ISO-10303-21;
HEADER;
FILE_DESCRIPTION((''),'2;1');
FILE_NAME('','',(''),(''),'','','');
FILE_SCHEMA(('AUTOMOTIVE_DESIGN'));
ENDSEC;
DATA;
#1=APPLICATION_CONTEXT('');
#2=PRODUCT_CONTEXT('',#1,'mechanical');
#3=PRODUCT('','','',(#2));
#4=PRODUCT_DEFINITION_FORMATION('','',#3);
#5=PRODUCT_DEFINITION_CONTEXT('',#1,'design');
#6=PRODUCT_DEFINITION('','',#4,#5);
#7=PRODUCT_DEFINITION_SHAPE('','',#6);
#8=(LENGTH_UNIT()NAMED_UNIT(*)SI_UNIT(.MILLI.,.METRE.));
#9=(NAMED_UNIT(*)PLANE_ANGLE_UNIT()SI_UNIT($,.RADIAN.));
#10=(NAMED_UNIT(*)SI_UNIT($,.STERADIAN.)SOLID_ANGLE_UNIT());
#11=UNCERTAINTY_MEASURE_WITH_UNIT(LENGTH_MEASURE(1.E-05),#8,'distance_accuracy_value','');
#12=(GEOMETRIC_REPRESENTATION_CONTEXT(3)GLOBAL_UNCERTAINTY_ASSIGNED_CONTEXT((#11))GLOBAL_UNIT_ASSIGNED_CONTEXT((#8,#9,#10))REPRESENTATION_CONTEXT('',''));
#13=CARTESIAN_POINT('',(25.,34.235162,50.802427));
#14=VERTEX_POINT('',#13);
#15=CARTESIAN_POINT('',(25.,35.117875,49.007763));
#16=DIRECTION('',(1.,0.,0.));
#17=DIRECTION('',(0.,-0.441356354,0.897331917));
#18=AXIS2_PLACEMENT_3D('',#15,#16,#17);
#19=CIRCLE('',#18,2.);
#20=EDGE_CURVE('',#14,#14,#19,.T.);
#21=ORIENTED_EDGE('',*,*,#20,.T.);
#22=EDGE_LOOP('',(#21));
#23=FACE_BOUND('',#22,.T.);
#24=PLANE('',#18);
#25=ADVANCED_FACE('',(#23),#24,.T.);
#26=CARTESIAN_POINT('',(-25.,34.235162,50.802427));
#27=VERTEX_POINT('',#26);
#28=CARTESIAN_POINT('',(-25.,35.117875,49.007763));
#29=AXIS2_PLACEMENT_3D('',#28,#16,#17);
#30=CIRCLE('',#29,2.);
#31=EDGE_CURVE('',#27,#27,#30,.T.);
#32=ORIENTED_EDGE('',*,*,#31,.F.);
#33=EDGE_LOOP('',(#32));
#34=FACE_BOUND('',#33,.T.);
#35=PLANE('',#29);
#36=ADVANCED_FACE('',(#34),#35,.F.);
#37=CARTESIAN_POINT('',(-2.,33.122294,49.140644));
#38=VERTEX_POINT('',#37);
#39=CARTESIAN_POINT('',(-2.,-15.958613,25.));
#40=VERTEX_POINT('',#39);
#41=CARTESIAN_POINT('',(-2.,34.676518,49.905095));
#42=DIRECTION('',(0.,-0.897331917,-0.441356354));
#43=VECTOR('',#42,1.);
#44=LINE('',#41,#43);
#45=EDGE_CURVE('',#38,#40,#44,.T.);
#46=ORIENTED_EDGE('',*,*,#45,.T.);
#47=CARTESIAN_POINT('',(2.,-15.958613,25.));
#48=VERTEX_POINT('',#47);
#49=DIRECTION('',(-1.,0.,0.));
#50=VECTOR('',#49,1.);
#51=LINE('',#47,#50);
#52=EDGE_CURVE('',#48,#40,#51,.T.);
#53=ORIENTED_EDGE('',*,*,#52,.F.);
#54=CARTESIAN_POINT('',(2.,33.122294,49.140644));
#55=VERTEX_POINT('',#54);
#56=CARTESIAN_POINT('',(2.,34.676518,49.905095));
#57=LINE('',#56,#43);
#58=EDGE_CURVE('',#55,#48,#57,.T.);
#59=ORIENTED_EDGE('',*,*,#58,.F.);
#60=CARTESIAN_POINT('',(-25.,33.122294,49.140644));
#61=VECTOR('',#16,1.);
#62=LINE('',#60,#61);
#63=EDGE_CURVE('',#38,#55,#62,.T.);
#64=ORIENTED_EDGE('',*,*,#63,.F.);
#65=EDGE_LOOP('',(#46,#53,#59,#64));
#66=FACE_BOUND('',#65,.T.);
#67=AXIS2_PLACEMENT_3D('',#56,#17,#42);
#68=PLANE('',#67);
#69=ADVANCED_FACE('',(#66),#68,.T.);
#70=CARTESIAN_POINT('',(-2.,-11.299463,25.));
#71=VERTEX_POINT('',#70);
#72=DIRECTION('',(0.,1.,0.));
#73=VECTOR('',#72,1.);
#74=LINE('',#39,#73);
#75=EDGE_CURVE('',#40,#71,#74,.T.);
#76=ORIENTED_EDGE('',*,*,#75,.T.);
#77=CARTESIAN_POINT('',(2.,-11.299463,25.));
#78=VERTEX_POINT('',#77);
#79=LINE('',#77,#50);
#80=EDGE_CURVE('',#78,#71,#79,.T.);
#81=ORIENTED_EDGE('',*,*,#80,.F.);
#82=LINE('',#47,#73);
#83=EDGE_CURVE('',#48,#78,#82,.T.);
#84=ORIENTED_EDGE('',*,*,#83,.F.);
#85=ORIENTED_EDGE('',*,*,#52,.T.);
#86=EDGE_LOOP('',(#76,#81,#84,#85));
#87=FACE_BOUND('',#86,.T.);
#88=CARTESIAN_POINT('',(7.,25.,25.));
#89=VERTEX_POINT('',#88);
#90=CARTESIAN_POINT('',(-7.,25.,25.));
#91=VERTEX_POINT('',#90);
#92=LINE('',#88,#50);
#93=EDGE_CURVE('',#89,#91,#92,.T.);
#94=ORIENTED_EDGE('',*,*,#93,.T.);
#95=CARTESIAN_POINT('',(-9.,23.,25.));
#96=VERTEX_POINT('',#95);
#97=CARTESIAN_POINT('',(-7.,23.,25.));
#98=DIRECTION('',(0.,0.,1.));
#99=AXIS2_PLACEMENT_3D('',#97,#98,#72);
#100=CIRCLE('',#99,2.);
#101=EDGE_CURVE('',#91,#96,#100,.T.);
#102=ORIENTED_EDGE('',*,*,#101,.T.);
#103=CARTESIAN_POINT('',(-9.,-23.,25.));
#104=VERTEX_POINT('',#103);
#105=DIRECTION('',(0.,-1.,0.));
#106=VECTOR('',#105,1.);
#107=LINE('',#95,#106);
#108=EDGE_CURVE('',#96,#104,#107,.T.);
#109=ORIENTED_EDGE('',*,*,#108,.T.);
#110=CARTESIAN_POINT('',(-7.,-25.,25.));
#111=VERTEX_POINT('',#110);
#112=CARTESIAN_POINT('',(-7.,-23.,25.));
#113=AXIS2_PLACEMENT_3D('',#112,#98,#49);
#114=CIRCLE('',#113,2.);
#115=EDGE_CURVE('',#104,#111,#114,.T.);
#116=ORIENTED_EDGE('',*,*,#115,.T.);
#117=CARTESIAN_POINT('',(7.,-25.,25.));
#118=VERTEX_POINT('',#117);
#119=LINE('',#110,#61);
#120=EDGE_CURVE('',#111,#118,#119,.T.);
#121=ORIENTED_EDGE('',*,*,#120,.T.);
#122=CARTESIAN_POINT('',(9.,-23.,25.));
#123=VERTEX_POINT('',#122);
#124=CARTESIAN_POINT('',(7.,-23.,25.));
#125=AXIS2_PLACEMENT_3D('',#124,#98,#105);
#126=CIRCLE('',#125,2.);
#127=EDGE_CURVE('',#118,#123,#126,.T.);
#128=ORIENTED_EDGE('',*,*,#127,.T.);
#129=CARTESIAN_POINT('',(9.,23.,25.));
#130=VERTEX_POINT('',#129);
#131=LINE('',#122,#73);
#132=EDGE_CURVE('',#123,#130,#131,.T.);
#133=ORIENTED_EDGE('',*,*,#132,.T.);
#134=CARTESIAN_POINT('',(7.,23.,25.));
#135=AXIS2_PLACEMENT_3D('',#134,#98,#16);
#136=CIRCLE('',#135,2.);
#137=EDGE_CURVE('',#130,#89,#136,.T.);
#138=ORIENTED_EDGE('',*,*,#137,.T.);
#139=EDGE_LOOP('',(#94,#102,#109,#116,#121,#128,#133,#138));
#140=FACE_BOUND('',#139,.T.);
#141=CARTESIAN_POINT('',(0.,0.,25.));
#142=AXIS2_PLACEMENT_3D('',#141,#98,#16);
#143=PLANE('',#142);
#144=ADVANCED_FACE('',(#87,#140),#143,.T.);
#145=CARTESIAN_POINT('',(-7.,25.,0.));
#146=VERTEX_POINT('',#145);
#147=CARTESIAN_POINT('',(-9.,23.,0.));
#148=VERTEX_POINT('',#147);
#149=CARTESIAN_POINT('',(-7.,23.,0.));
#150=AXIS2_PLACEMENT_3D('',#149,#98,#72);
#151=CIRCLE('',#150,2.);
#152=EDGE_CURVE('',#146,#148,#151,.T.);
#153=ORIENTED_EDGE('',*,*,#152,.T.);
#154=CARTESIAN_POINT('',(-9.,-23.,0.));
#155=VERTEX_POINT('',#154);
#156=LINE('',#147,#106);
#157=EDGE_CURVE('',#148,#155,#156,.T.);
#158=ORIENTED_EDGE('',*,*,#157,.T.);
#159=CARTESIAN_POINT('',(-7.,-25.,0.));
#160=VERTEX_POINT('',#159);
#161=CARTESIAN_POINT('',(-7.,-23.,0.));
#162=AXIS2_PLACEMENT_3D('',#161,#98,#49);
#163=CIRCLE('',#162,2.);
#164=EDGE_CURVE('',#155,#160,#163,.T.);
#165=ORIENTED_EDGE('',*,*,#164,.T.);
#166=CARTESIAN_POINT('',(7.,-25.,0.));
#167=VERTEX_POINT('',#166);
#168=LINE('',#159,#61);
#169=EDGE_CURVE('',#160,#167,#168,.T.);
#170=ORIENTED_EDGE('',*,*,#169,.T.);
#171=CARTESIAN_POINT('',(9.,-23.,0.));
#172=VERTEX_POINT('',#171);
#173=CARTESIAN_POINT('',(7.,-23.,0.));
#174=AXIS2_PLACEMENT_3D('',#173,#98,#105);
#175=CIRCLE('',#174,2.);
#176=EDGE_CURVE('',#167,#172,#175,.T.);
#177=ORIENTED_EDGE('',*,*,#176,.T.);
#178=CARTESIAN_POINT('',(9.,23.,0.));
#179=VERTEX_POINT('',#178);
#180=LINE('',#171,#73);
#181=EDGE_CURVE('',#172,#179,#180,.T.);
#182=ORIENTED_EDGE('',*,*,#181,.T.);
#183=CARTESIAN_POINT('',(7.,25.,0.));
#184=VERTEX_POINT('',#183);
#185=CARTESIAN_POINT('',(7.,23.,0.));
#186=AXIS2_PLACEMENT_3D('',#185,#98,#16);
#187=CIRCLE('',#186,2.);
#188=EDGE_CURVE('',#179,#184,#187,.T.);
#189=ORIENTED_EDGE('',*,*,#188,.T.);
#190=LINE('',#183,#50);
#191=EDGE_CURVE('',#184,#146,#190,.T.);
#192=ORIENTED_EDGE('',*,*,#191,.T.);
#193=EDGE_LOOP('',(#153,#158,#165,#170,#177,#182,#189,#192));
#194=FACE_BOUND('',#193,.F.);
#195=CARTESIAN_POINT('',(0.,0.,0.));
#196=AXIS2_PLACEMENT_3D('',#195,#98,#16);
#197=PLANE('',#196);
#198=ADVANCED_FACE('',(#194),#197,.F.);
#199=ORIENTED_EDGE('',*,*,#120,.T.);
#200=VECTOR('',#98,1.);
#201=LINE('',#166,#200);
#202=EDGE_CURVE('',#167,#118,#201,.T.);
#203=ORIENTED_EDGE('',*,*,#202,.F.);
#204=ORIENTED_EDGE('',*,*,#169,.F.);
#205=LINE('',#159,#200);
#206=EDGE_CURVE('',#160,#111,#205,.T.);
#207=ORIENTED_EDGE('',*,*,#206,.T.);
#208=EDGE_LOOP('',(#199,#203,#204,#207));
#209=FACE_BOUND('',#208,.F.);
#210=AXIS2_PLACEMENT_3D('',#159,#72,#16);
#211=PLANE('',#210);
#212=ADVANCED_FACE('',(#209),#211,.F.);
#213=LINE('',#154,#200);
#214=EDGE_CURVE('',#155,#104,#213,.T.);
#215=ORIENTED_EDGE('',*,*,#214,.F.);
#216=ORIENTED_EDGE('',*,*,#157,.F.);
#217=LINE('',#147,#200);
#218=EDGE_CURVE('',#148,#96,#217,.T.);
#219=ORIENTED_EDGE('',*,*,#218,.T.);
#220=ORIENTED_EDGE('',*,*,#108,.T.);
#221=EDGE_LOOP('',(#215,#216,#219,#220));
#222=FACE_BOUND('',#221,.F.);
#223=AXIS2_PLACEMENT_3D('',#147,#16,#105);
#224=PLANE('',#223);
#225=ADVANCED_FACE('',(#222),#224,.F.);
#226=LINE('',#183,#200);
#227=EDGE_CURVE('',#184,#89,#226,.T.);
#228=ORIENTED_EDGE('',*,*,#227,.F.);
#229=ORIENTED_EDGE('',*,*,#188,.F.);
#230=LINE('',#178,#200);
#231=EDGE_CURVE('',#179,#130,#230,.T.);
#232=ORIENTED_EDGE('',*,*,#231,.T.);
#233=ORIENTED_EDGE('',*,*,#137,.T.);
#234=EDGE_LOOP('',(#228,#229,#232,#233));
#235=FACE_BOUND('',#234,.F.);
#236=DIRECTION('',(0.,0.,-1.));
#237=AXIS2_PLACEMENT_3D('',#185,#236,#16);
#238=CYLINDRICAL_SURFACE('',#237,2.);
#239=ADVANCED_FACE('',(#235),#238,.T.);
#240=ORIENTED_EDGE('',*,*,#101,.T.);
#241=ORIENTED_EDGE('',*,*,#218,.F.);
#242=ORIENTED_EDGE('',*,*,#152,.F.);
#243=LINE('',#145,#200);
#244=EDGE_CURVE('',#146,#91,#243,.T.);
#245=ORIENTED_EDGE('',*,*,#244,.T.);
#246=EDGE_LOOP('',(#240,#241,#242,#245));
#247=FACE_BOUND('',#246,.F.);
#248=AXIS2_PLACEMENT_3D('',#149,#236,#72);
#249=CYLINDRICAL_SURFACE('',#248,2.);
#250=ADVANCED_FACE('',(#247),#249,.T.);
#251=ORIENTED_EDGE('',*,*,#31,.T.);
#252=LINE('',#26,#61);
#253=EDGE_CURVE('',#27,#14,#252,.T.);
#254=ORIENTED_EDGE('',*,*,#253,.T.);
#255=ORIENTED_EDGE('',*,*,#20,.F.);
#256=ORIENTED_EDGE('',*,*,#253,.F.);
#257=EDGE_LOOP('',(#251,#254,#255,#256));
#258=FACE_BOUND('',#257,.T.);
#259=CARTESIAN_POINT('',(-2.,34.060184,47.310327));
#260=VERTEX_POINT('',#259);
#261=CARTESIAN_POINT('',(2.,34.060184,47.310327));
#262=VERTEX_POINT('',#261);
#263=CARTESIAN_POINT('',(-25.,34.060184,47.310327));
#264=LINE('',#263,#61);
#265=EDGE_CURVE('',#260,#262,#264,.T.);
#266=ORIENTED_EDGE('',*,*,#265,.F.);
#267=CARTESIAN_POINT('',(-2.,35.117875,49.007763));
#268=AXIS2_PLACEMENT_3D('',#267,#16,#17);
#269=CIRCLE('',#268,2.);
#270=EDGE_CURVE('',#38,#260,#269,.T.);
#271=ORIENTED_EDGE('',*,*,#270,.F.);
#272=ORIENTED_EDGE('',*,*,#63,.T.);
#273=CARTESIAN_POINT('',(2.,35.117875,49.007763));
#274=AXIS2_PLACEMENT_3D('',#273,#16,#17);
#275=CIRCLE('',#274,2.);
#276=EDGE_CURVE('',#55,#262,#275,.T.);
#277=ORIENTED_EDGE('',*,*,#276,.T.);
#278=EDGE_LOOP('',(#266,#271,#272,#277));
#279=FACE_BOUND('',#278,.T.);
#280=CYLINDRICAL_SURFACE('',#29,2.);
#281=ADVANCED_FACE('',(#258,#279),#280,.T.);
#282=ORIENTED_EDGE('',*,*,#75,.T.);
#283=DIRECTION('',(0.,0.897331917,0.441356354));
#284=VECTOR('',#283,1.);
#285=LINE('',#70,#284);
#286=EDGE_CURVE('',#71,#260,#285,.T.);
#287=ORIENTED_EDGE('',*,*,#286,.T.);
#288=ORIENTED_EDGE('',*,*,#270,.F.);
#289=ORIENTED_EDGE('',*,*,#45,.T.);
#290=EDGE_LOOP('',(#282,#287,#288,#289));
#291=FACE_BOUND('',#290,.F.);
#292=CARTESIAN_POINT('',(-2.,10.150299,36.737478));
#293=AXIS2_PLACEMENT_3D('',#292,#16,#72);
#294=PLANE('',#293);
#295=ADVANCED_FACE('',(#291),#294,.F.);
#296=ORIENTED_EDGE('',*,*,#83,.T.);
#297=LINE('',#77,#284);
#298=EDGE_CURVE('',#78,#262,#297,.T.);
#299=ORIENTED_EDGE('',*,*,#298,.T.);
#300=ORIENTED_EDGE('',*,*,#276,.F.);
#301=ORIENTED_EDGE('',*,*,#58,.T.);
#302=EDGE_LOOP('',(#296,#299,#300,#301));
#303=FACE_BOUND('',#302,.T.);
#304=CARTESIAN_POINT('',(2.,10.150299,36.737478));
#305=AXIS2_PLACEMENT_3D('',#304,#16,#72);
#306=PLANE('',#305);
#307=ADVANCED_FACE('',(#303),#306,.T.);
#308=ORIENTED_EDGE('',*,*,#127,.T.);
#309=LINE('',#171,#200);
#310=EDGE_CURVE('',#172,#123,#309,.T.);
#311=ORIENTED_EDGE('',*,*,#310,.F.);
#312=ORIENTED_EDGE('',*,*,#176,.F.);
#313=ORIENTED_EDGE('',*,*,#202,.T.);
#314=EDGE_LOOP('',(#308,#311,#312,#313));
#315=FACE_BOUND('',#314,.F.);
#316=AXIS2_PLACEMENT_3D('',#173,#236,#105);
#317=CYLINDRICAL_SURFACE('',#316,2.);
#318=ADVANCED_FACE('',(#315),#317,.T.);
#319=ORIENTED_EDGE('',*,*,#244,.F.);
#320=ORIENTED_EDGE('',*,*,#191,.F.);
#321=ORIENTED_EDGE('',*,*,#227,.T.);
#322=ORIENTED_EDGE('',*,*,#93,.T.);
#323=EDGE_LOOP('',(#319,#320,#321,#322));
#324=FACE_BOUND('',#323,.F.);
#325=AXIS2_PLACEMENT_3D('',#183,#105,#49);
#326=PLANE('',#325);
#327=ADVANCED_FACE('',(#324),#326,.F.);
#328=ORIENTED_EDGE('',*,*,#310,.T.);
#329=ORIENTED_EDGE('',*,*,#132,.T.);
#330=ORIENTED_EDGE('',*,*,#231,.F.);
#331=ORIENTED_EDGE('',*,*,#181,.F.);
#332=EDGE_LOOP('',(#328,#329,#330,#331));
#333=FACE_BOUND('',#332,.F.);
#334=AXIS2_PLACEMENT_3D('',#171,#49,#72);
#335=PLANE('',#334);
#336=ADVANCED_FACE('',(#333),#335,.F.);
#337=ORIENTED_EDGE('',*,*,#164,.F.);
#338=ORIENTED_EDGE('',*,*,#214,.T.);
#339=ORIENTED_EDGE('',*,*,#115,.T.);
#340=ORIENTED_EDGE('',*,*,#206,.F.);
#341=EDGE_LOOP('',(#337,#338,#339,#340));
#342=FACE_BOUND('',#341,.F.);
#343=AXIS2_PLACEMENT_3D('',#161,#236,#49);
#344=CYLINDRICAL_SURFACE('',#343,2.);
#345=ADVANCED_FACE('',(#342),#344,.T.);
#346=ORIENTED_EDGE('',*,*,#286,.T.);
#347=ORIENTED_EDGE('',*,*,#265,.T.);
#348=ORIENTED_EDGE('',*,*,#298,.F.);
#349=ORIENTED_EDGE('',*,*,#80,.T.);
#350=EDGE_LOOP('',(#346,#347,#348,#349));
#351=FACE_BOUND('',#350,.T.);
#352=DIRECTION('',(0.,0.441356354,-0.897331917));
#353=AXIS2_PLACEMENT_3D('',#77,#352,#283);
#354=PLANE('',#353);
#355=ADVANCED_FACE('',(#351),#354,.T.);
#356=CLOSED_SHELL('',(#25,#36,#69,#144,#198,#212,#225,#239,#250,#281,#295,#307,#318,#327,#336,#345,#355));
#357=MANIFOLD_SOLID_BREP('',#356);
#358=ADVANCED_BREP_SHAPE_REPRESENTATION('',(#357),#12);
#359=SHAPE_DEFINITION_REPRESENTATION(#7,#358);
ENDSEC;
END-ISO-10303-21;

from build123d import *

# Parameters (mm, degrees)
F1_DEPTH = 25
F3_START = -7
F3_DEPTH = 4
F4_W     = 4
F4_H     = 1


with BuildPart() as f1:
    # F0 (on Top) → F1 (new body)
    with BuildSketch(Plane.XY):
        with BuildLine():
            Line((-7, -25), (7, -25))
            ThreePointArc((7, -25), (8.4142135624, -24.4142135624), (9, -23))
            Line((9, -23), (9, 23))
            ThreePointArc((9, 23), (8.4142135624, 24.4142135624), (7, 25))
            Line((7, 25), (-7, 25))
            ThreePointArc((-7, 25), (-8.4142135624, 24.4142135624), (-9, 23))
            Line((-9, 23), (-9, -23))
            ThreePointArc((-9, -23), (-8.4142135624, -24.4142135624), (-7, -25))
        make_face()
    extrude(amount=F1_DEPTH)

    # F2 (on face) → F3 (join)
    with BuildSketch(Plane.YZ.offset(9).offset(F3_START)):
        Polygon((34.6765182912, 49.9050952494), (-15.9586127847, 25), (-11.2994632265, 25), (35.5840993399, 48.0598710132), align=None)
    extrude(amount=-F3_DEPTH)

    # F4 (on face) → F5 (revolve)
    with BuildSketch(Plane(origin=(0, 47.6862617378, 23.4546818668), x_dir=(-1, 0, 0), z_dir=(0, 0.8973319166, 0.4413563543))):
        with Locations((0, 28.976733073)):
            Rectangle(F4_W, F4_H)
        Polygon((2, 28.476733073), (25, 28.476733073), (25, 30.476733073), (-25, 30.476733073), (-25, 28.476733073), (-2, 28.476733073), (-2, 29.476733073), (2, 29.476733073), align=None)
    revolve(axis=Axis((0, 35.1178746456, 49.0077633328), (1, 0, 0)))


solid = f1.part
